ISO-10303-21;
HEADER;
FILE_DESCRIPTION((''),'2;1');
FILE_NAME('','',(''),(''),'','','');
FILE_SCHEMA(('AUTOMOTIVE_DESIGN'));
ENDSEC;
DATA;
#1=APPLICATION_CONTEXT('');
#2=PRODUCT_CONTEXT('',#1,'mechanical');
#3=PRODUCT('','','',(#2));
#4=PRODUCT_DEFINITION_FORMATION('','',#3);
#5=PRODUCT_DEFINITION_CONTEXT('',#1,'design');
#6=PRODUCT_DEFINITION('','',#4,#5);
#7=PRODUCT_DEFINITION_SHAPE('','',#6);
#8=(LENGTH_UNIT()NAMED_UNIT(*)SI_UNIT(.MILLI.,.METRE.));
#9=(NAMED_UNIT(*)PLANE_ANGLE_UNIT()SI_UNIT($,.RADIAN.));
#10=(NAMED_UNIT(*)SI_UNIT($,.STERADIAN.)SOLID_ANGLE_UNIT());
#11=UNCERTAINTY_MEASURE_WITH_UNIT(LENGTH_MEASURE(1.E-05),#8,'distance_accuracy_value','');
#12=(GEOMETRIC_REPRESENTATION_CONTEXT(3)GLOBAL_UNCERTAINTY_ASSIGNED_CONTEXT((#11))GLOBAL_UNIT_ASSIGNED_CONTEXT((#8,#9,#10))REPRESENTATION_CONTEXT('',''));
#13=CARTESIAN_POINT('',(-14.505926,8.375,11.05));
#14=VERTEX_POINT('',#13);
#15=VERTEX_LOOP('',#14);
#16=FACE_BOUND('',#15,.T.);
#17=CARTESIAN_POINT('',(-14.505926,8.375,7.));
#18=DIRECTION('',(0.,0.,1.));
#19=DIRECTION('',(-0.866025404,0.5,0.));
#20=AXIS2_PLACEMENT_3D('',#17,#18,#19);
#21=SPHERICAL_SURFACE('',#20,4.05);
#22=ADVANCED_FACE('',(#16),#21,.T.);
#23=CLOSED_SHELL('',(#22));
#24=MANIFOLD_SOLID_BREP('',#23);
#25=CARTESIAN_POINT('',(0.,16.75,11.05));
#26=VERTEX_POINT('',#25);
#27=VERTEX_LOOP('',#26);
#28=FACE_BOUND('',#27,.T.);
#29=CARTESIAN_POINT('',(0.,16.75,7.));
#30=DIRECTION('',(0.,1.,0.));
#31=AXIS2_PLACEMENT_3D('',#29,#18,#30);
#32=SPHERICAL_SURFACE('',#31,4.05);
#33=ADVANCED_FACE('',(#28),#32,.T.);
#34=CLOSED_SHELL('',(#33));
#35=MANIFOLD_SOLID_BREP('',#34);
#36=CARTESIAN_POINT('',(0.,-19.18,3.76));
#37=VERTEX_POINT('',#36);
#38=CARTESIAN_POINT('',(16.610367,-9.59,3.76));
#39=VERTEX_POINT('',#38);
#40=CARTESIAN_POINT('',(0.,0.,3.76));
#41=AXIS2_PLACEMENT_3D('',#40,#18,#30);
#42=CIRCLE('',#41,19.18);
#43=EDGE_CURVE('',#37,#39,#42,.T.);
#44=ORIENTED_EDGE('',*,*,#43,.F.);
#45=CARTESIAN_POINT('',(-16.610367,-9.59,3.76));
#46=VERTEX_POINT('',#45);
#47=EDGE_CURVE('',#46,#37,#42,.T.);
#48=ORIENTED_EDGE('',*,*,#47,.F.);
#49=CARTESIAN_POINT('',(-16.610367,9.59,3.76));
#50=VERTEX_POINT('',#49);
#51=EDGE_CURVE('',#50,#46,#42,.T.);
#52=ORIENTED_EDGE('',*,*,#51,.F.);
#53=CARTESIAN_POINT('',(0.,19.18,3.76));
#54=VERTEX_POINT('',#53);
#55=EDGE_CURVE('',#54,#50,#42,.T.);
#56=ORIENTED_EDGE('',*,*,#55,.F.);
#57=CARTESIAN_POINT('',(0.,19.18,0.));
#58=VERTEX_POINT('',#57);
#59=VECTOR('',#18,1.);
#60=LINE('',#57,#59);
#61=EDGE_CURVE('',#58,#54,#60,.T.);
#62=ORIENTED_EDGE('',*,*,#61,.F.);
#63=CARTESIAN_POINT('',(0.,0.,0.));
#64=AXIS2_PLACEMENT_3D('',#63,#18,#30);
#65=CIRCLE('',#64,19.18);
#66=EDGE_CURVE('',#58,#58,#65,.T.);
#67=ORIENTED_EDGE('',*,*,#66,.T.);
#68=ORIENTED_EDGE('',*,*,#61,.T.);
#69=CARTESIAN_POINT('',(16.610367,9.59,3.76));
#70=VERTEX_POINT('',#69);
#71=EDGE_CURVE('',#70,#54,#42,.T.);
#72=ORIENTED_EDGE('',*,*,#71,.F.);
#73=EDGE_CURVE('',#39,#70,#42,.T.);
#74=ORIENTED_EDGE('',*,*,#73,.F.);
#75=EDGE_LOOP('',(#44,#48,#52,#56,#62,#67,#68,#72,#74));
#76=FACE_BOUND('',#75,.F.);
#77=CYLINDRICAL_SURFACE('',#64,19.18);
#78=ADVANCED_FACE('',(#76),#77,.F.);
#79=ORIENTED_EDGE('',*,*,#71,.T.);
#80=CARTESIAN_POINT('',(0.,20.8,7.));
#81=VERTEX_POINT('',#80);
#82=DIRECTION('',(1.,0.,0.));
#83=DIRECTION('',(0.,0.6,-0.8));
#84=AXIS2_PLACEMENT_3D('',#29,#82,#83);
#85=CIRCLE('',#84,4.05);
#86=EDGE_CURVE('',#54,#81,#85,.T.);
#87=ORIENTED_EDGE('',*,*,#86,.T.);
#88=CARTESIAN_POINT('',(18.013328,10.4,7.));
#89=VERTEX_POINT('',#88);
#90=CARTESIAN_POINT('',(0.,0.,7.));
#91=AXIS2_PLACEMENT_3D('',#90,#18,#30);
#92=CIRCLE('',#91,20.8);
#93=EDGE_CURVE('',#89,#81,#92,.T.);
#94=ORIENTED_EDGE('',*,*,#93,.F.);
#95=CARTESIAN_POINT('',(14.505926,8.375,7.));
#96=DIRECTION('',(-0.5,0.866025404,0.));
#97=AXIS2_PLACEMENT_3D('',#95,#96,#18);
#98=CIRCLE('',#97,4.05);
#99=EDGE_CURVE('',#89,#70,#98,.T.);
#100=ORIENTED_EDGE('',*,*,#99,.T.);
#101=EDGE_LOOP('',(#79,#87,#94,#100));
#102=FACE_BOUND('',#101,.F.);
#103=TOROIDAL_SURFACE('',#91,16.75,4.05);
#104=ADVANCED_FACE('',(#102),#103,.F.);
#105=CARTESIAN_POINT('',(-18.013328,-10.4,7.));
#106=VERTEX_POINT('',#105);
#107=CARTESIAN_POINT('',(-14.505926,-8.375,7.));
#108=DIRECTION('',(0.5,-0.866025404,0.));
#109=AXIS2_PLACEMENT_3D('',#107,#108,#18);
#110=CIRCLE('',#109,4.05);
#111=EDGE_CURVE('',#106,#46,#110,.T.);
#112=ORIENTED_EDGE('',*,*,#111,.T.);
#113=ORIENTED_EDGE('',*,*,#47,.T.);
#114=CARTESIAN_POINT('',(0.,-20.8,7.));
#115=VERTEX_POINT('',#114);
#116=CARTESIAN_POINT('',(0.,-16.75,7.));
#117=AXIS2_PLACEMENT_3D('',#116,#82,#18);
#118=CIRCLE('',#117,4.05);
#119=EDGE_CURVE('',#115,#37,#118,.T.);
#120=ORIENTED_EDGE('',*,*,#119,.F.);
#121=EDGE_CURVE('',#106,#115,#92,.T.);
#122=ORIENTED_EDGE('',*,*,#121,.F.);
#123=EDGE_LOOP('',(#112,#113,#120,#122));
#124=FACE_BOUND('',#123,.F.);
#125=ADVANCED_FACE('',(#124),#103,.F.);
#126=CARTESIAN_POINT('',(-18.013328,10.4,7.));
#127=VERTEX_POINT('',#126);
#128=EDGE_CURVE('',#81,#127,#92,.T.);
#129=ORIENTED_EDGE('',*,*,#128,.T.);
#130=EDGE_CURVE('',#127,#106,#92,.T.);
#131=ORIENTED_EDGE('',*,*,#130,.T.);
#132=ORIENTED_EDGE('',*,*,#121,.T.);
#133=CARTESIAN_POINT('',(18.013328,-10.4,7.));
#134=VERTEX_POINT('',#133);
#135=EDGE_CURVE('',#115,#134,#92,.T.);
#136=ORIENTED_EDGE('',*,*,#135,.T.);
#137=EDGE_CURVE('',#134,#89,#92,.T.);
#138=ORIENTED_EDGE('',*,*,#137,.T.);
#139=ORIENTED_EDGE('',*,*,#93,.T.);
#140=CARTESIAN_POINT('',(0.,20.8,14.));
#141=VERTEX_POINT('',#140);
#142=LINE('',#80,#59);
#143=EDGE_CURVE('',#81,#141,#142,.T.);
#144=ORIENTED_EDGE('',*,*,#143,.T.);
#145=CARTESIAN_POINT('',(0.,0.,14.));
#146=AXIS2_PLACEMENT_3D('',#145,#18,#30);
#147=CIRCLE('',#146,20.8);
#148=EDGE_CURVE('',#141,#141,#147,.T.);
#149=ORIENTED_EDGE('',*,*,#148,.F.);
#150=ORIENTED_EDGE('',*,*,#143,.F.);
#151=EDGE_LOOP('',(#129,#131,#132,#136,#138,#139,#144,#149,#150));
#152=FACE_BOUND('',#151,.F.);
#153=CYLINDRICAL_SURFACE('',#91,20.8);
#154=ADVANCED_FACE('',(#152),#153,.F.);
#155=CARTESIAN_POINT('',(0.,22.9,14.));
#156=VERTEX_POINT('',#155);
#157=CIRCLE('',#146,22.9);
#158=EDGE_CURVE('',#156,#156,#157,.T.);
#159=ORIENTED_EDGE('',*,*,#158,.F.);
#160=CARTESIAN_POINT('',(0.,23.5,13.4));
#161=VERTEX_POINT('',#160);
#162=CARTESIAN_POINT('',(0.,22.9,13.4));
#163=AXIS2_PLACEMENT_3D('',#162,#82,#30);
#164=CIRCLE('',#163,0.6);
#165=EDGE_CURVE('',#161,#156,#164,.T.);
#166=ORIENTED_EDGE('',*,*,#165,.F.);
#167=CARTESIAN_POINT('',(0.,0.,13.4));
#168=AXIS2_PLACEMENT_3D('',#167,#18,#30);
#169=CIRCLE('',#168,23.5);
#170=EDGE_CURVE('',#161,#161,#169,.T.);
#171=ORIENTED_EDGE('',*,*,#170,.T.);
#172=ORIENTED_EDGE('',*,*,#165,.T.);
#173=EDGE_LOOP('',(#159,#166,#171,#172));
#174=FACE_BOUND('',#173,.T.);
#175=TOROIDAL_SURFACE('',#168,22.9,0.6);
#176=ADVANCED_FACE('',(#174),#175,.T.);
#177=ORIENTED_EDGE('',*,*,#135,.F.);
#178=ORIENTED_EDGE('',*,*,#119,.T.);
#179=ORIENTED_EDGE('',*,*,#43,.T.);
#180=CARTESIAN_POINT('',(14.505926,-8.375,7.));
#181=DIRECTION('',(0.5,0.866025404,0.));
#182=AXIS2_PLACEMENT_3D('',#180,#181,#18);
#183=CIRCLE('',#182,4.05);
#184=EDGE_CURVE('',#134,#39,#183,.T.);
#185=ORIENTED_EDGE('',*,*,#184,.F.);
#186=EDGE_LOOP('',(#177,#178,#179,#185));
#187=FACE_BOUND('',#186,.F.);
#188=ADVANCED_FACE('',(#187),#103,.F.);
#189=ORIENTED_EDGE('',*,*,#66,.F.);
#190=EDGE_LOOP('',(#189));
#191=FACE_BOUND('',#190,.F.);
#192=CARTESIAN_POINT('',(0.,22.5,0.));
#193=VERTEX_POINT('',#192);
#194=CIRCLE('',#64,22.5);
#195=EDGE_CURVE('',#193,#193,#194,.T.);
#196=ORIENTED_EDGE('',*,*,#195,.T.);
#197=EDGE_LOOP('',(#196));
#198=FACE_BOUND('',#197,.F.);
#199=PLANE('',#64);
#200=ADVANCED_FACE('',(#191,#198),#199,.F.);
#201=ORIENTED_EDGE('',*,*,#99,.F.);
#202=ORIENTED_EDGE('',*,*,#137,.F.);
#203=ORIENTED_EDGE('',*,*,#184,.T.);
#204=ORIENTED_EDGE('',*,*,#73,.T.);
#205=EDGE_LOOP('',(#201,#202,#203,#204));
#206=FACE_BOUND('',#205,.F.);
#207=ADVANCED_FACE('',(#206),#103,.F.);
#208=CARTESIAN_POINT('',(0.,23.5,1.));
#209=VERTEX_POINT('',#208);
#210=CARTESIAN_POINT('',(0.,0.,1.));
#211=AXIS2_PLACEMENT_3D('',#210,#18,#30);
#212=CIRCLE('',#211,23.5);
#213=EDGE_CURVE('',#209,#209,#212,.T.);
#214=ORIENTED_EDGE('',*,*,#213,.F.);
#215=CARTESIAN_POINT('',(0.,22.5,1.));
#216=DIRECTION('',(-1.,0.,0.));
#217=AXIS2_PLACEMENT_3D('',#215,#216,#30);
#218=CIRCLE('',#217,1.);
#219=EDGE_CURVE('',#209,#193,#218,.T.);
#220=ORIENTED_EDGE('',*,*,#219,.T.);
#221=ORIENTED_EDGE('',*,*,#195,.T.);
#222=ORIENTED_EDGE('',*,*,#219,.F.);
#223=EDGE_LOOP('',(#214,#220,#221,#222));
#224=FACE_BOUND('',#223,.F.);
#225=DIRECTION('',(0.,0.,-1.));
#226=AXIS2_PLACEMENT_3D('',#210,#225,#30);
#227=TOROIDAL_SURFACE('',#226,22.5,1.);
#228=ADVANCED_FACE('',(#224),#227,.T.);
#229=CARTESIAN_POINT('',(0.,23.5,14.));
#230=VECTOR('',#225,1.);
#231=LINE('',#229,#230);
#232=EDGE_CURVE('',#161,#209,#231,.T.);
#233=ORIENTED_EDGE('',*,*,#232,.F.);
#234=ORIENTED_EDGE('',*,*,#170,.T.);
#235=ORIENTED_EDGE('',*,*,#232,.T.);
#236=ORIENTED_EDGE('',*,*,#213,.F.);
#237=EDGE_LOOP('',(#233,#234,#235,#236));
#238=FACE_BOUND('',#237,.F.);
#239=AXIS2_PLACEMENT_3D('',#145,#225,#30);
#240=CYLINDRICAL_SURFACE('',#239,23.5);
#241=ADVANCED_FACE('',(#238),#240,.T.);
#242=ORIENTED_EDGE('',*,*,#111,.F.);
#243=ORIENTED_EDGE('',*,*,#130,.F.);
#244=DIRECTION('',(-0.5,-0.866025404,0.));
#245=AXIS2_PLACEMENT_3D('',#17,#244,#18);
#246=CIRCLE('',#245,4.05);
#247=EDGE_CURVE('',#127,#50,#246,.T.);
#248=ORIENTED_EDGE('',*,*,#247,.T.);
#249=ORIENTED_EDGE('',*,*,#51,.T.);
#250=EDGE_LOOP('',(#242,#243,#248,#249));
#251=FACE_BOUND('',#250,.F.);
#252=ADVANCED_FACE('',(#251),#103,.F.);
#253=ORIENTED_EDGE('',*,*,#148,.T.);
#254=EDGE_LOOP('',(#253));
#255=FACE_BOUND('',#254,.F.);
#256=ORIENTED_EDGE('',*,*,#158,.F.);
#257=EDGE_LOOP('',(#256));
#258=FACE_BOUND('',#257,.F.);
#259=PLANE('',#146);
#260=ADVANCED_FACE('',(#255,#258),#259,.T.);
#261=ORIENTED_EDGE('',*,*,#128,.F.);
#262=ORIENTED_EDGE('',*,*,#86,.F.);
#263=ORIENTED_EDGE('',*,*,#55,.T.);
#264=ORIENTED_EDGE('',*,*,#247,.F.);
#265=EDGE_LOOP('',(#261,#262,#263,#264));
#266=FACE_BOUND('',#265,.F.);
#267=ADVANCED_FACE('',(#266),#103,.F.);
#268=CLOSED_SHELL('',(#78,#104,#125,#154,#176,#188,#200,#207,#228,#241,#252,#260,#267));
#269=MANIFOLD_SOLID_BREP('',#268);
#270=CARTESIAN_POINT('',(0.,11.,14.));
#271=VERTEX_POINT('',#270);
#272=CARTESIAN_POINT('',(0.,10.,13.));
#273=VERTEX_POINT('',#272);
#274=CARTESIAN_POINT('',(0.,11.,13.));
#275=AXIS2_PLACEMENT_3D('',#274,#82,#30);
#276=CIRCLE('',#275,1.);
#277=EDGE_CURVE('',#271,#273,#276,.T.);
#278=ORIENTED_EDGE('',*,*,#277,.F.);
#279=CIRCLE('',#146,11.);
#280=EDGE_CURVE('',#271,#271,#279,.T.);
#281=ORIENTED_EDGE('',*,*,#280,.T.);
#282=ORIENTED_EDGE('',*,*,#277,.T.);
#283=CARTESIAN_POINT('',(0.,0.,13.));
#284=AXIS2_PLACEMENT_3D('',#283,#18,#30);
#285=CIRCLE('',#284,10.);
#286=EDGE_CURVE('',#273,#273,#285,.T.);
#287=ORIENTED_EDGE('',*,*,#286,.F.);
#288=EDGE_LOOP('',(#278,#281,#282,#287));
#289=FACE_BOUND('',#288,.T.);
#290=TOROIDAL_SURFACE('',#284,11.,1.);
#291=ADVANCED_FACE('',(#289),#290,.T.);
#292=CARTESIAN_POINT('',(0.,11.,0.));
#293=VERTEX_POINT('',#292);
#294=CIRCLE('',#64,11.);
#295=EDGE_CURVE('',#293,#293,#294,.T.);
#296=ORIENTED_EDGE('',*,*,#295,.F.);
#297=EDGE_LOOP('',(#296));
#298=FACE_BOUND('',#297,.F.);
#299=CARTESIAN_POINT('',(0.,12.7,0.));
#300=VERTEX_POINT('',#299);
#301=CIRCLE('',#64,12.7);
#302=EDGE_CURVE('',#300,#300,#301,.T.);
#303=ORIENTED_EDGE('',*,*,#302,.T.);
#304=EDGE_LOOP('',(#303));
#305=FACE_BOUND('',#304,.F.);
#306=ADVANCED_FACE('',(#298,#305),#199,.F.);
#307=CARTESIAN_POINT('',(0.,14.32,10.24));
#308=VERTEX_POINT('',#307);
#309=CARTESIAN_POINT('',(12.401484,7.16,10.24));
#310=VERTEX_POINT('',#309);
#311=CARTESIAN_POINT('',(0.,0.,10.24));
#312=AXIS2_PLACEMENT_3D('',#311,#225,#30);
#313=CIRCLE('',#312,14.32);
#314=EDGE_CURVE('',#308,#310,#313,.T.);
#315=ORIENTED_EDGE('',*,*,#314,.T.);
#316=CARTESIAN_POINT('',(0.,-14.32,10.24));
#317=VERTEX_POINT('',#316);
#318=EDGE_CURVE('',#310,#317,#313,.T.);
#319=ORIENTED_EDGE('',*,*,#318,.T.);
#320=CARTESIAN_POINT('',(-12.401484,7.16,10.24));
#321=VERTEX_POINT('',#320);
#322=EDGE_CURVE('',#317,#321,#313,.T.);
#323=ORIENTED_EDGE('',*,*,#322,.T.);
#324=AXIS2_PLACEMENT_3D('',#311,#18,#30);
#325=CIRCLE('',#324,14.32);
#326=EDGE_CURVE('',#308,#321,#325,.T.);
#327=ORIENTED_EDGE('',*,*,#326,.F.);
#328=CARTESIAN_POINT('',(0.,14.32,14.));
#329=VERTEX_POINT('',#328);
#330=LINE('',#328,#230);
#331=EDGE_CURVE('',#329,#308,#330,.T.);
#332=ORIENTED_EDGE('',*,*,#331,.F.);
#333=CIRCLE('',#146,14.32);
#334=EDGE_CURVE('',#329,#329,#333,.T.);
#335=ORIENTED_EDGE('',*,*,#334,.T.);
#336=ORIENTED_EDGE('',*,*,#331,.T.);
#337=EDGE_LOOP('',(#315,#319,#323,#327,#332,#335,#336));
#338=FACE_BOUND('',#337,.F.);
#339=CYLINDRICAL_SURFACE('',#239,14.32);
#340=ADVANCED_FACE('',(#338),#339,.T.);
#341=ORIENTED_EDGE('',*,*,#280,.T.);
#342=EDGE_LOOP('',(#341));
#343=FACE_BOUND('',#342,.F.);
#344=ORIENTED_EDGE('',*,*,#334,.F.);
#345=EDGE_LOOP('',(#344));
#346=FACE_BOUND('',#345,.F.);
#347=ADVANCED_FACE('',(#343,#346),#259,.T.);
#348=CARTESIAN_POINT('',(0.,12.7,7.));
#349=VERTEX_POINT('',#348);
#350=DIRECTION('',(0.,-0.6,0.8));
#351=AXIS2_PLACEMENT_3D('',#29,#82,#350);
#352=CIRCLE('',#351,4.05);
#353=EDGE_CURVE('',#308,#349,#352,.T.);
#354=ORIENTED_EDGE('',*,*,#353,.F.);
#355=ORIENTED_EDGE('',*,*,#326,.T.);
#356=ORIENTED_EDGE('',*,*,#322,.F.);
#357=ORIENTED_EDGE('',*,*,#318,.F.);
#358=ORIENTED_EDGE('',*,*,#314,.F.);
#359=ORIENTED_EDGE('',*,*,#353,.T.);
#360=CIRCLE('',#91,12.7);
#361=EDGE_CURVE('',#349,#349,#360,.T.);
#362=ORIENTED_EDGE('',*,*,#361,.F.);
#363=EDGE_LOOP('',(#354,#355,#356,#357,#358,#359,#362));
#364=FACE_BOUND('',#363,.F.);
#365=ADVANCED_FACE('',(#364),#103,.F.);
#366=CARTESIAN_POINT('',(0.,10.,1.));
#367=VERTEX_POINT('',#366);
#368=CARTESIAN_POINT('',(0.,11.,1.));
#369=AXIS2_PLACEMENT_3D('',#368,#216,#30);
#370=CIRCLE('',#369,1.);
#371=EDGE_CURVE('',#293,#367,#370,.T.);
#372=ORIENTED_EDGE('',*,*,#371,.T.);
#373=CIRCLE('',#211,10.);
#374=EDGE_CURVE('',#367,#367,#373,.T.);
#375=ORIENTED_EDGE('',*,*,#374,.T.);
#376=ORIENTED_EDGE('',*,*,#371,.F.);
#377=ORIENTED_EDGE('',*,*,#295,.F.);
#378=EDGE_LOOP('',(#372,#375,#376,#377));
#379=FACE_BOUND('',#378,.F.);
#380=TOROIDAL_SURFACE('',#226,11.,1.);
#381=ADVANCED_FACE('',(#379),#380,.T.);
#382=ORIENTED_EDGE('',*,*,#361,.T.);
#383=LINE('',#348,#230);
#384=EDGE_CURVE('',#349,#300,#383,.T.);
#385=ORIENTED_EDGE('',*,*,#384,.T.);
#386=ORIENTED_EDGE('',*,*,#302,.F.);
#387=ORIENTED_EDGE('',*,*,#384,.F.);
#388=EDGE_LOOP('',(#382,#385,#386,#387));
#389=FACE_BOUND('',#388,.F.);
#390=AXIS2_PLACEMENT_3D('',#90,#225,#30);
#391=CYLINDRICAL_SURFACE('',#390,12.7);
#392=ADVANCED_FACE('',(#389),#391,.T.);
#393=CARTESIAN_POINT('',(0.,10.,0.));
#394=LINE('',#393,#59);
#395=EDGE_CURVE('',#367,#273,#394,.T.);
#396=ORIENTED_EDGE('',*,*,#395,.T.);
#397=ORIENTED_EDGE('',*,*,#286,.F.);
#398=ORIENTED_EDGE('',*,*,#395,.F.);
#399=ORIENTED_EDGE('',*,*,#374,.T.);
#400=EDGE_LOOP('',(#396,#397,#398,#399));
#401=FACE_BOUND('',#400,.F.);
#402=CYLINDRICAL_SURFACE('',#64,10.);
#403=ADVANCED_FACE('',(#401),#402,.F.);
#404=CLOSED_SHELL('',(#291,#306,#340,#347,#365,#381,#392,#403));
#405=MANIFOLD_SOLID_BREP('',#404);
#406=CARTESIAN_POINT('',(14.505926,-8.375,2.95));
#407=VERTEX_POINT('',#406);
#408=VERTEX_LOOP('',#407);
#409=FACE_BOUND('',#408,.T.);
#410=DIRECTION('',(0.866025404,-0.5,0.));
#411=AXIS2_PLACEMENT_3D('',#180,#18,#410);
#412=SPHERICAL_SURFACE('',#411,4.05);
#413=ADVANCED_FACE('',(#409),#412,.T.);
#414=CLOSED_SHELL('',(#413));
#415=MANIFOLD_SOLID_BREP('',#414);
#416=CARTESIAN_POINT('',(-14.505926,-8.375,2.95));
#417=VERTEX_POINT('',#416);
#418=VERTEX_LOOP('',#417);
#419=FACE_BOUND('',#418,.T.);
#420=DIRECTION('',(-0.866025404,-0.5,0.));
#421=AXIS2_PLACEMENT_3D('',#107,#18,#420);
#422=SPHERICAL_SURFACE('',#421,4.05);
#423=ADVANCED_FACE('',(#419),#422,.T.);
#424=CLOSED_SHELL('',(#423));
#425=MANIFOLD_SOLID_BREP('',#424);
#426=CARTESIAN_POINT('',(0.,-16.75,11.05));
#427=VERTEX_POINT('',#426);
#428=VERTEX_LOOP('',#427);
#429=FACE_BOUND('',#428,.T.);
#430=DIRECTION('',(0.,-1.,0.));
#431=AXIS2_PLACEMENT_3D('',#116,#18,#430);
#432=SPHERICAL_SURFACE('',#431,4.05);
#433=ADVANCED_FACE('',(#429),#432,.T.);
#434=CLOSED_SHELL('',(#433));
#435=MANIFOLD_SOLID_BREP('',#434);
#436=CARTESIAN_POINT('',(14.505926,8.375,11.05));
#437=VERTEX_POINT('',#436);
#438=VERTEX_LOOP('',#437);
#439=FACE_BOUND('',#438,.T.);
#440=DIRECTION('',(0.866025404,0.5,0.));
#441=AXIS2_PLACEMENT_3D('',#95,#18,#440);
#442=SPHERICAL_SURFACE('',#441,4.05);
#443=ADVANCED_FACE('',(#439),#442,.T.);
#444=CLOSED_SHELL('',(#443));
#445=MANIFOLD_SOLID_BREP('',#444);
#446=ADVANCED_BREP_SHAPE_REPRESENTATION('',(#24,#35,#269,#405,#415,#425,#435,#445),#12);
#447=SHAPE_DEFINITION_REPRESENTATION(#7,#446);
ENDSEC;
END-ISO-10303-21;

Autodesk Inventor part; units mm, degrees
ref_plane "WorkPlane1" through (0, 0, 0) normal (0, 0, 1) x (1, 0, 0)
ref_plane "Work Plane2" through (0, 0, -14) normal (0, 0, 1) x (1, 0, 0)
ref_plane "WorkPlane2" through (0, 0, 14) normal (0, 0, 1) x (1, 0, 0)
sketch "Schizzo1" plane through (0, 0, 0) normal (-1, 0, 0) x (0, -1, 0)
  point P0 (0, 0)
sketch "Schizzo2" plane through (0, 0, 0) normal (0, 0, 1) x (1, 0, 0)
  point P0 (0, 0)
sketch "Schizzo3" plane through (0, 0, 14) normal (0, 0, 1) x (1, 0, 0)
  point P0 (0, 0)
sketch "Schizzo4" plane through (0, 0, 0) normal (1, 0, 0) x (0, 1, 0)
  line L0 (23.5, 0) -> (10, 0)
  line L1 (23.5, 14) -> (23.5, 0)
  line L2 (10, 14) -> (23.5, 14)
  line L3 (10, 0) -> (10, 14)
  line L4 (0, -3.737) -> (0, 15.9311) construction
  line L5 (0, -3.737) -> (0, 15.9311)
  line L6 (0, -7.6706) -> (0, 19.8647) projected
  line L7 (-4.7, 0) -> (28.2, 0) projected
  dimension "d2" = 10
  dimension "d4" = 23.5
  dimension "d6" = 14
revolve "Rivoluzione1" add sketch "Schizzo4" angle 360 about axis through (0, 0, -3.737) along (0, 0, 1)
sketch "Schizzo5" plane through (0, 0, 0) normal (1, 0, 0) x (0, 1, 0)
  line L0 (20.8, 14) -> (14.32, 14)
  line L1 (20.8, 7) -> (20.8, 14)
  arc A0 (19.18, 3.76) -> (20.8, 7) centre (16.75, 7) ccw
  line L2 (19.18, 0) -> (19.18, 3.76)
  line L3 (12.7, 0) -> (19.18, 0)
  line L4 (12.7, 7) -> (12.7, 0)
  arc A1 (14.32, 10.24) -> (12.7, 7) centre (16.75, 7) ccw
  line L5 (14.32, 14) -> (14.32, 10.24)
  circle A2 centre (16.75, 7) radius 4.05 construction
  line L6 (23.5, 0) -> (-23.5, 0) construction
  line L7 (23.5, 14) -> (-23.5, 14) construction
  line L8 (0, 40.9632) -> (0, -26.9632)
  line L9 (0, -40.5485) -> (0, 54.5485) projected
  dimension "d9" = 7
  dimension "d11" = 8.1
  dimension "d21" = 33.5
  dimension "d22" = 28.64
  dimension "d23" = 38.36
revolve "Rivoluzione2" cut sketch "Schizzo5" angle 360 about axis through (0, 0, 40.9632) along (0, 0, 1)
sketch "Schizzo6" plane through (0, 0, 0) normal (1, 0, 0) x (0, 1, 0)
  line L0 (16.75, 2.95) -> (16.75, 11.05)
  arc A0 (16.75, 2.95) -> (16.75, 11.05) centre (16.75, 7) ccw
  line L1 (16.75, 15.1754) -> (16.75, -1.0126) construction
  line L2 (23.5, 0) -> (-23.5, 0) construction
  line L3 (16.75, 15.1754) -> (16.75, -1.0126)
  arc A1 (14.32, 10.24) -> (12.7, 7) centre (16.75, 7) ccw projected
  line L4 (20.8, 7) -> (-20.8, 7) projected
  dimension "d14" = 4.05
revolve "Rivoluzione3" add sketch "Schizzo6" angle 360 about axis through (0, 16.75, 15.1754) along (0, 0, 1)
pattern_circular "Seriepolare1" count 6 over 360 about axis through (0, 0, 0) along (0, 0, 1) of "Rivoluzione3"
fillet "Raccordo1" radius 0.6 1 edges at (0, -23.5, 14)
fillet "Raccordo2" radius 1 3 edges at (0, -23.5, 0) (0, -10, 14) (0, -10, 0)
equation "\"d19\" = r1"
equation "\"d20\" = r"
equation "\"d2\" = 0.5 * Diam"
equation "\"d4\" = 0.5 * DD"
equation "\"d6\" = B"
equation "\"d9\" = 0.5 * B"
equation "\"d11\" = msp_mdtdk"
equation "\"d21\" = msp_mdtds"
equation "\"d22\" = msp_md"
equation "\"d23\" = msp_vd"
equation "\"d14\" = 0.5 * msp_mdtdk"
equation "\"DD\" = 47"
equation "\"B\" = 14"
equation "\"r\" = 1"
equation "\"msp_mdtdk\" = -0.3 * Diam + 0.3 * DD"
equation "\"msp_mdtds\" = 0.5 * DD + 0.5 * Diam"
equation "\"msp_md\" = msp_mdtds - 0.6 * msp_mdtdk"
equation "\"msp_vd\" = msp_mdtds + 0.6 * msp_mdtdk"
equation "\"r1\" = 0.6"
equation "\"Diam\" = 20"
properties part number "SKF B7204 BE" material "Acciaio, Dolce"
